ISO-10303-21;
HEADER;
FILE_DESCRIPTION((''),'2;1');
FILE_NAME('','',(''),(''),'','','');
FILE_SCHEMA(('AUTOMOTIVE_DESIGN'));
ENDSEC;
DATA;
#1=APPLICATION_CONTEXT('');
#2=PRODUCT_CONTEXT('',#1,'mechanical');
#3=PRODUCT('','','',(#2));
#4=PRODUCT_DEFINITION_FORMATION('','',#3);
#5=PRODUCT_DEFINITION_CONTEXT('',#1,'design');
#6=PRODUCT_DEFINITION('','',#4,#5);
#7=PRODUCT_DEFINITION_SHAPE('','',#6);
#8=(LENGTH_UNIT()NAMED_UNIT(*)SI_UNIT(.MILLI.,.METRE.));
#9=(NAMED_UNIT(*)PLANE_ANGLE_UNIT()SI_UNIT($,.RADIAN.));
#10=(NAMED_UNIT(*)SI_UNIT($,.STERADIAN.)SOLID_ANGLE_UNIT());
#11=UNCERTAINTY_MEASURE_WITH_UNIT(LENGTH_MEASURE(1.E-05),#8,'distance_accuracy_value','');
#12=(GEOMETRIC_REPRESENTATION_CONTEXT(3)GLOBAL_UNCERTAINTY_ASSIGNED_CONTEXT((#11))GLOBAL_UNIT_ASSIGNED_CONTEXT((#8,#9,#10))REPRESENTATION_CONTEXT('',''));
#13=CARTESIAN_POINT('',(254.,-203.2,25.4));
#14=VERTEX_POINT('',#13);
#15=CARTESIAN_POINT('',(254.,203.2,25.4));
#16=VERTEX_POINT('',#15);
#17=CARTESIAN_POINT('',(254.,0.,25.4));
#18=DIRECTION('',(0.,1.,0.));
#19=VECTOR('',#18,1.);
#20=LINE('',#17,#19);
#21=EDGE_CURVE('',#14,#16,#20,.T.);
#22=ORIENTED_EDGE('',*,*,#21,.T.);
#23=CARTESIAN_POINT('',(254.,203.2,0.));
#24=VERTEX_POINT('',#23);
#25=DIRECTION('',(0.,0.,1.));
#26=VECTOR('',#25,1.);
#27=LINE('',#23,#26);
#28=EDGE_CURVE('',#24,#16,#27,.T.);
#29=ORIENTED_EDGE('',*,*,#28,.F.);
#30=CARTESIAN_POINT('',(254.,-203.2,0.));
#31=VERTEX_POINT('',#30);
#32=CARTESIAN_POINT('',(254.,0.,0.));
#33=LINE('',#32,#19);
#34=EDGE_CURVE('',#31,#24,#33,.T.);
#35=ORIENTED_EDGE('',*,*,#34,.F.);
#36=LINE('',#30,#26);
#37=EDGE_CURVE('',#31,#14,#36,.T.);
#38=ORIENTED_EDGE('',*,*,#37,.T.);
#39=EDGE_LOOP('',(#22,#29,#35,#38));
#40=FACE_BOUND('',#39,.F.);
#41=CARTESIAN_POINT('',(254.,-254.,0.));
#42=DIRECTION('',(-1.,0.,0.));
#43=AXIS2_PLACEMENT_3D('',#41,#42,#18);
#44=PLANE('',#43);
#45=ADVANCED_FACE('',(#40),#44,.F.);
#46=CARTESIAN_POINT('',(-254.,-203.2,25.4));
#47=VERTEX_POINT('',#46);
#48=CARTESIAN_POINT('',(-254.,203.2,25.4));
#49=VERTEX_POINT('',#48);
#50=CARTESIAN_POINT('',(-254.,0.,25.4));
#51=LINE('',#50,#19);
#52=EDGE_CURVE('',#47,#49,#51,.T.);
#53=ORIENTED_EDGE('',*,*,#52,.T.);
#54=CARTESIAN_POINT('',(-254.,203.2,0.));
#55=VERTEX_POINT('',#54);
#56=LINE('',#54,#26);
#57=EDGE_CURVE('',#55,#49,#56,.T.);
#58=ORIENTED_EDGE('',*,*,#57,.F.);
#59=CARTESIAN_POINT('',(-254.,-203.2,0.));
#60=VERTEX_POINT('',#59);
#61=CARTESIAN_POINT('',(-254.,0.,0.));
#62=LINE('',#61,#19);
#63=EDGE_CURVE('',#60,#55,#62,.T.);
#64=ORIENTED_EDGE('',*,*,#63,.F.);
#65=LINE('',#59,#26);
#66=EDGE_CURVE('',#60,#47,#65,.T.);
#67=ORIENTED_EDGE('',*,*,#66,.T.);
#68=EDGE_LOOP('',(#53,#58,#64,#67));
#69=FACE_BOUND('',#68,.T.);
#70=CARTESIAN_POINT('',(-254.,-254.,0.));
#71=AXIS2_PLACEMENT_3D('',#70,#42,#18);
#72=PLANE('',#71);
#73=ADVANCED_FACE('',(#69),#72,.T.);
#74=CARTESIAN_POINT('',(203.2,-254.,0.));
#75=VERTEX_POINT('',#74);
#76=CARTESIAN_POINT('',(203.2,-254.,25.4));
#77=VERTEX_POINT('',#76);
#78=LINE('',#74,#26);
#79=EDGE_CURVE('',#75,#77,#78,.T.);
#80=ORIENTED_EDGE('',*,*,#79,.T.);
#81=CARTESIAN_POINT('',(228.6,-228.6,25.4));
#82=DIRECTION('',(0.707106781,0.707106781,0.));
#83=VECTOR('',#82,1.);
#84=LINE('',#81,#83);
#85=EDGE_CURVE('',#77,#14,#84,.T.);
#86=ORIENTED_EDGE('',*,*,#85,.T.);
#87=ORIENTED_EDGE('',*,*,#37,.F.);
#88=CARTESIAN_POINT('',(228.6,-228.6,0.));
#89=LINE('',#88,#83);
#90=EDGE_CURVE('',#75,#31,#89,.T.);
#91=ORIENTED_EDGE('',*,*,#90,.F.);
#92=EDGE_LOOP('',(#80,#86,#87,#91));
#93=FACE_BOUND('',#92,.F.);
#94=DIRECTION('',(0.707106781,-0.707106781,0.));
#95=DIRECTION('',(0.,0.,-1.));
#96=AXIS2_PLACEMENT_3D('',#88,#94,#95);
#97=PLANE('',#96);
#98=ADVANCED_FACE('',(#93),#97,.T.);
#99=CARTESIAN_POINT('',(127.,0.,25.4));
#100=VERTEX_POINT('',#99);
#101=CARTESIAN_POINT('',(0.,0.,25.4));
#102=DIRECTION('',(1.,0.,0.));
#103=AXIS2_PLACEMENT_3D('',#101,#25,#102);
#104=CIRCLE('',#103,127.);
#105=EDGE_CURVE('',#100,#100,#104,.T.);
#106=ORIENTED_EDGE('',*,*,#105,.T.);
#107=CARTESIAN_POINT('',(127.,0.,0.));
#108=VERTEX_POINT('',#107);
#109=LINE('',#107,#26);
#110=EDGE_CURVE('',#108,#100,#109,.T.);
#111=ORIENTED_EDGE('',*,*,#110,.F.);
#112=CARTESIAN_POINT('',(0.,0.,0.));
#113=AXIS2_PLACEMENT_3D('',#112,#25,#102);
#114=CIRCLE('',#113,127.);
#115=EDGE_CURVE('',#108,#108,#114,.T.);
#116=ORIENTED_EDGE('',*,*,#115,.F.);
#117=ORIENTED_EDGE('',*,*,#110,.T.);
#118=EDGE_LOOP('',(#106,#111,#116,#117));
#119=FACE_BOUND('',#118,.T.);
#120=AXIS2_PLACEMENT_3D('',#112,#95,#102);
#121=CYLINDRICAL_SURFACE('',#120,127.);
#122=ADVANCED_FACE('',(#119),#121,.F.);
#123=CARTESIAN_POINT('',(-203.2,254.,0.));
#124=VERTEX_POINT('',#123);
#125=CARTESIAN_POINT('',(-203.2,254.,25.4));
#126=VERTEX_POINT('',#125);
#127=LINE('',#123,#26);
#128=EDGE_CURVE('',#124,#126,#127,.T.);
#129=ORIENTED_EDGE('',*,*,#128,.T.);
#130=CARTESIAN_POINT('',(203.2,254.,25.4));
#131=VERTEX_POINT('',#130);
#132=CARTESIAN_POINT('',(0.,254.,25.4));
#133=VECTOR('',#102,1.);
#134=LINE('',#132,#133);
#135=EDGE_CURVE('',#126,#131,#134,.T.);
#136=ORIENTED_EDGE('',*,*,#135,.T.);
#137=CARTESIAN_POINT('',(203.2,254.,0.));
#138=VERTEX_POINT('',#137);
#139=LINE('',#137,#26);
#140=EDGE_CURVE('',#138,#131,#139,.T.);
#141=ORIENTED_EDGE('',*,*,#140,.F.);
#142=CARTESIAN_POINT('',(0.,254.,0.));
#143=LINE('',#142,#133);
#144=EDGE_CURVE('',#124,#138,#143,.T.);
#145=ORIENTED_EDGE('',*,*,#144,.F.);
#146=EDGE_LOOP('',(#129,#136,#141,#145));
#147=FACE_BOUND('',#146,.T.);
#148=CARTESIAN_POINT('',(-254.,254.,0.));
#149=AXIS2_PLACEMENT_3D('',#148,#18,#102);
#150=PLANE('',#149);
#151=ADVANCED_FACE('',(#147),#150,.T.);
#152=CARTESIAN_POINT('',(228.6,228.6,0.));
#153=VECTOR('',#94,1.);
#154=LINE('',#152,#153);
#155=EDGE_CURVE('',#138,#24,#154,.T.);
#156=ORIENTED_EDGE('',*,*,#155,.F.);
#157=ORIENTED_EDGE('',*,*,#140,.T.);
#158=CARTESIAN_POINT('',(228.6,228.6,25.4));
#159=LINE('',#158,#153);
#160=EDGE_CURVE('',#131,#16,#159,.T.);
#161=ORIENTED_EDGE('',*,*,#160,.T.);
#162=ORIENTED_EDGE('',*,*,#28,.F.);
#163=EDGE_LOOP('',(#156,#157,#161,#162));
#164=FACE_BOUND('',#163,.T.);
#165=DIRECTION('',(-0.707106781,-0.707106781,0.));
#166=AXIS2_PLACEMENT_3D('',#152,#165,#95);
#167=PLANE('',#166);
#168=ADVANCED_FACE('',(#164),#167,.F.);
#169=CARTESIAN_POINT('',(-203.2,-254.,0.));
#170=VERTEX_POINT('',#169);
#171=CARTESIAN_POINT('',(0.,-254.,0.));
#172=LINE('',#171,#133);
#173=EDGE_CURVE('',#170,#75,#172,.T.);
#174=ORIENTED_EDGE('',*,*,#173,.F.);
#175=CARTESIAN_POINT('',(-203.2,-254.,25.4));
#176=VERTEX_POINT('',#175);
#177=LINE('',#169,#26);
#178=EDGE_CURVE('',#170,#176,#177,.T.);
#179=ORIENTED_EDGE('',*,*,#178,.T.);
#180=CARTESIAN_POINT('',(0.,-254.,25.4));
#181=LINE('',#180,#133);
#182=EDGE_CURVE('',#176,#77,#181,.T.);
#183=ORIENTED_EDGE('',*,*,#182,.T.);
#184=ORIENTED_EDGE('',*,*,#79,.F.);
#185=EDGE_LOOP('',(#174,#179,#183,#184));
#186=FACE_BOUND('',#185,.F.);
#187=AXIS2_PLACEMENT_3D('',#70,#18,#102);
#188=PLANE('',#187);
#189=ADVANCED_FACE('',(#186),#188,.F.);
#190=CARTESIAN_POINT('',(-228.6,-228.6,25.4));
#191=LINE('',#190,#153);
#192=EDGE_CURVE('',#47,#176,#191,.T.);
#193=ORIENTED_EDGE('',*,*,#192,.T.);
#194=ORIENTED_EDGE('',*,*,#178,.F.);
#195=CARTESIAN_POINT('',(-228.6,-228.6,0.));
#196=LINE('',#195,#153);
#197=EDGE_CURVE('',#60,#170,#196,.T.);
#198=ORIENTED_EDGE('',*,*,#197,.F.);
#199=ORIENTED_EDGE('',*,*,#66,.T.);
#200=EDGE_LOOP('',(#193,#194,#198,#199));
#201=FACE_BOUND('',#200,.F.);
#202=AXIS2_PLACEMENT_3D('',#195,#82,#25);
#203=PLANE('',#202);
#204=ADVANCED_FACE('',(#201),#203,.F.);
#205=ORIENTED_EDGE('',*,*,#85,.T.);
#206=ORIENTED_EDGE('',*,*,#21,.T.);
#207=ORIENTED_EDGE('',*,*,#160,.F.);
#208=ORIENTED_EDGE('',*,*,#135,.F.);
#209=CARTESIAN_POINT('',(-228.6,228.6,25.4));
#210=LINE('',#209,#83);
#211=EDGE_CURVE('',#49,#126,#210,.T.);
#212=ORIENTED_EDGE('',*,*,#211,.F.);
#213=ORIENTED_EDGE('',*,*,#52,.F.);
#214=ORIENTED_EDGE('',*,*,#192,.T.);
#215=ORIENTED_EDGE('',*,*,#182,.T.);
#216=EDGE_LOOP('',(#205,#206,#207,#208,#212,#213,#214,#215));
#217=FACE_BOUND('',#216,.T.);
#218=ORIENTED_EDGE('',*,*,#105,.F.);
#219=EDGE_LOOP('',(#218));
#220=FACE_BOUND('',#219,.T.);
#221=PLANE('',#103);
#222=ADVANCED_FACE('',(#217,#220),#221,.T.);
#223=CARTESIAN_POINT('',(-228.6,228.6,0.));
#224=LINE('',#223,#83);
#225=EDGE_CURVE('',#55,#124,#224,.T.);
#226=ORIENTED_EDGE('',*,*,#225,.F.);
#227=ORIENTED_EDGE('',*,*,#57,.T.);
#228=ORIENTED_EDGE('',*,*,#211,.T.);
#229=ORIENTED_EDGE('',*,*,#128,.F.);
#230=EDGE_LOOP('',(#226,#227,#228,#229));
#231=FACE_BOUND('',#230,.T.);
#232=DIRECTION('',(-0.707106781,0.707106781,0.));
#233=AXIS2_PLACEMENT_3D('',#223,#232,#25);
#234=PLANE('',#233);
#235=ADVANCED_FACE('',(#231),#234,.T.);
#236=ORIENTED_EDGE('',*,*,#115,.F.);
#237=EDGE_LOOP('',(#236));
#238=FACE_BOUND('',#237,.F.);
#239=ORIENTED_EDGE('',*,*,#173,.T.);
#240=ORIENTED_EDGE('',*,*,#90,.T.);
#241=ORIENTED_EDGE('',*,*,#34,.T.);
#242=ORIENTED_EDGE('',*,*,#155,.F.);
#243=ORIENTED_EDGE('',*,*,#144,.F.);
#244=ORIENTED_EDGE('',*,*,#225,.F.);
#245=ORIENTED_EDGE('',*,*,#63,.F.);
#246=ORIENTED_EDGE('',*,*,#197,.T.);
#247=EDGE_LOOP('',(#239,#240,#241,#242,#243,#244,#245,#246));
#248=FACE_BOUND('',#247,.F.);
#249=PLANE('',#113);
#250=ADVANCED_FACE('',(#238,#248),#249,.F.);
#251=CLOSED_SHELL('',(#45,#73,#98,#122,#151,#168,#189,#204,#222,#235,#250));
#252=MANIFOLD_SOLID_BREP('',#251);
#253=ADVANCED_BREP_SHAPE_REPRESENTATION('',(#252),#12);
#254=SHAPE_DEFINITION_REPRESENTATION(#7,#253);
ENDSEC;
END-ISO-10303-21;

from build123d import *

# Parameters (mm, degrees)
F0_W     = 508
F0_H     = 508
F0_R     = 127
F1_DEPTH = 25.4
F2_SIZE  = 50.8


with BuildPart() as f1:
    # F0 (on Top) → F1 (new body)
    with BuildSketch(Plane.XY):
        Rectangle(F0_W, F0_H)
        Circle(F0_R, mode=Mode.SUBTRACT)
    extrude(amount=F1_DEPTH)

    # F2
    f2_edges = [f1.edges().sort_by_distance(p)[0] for p in [
        (-254, -254, 12.7),
        (254, -254, 12.7),
        (254, 254, 12.7),
        (-254, 254, 12.7),
    ]]
    chamfer(f2_edges, length=F2_SIZE)


solid = f1.part
